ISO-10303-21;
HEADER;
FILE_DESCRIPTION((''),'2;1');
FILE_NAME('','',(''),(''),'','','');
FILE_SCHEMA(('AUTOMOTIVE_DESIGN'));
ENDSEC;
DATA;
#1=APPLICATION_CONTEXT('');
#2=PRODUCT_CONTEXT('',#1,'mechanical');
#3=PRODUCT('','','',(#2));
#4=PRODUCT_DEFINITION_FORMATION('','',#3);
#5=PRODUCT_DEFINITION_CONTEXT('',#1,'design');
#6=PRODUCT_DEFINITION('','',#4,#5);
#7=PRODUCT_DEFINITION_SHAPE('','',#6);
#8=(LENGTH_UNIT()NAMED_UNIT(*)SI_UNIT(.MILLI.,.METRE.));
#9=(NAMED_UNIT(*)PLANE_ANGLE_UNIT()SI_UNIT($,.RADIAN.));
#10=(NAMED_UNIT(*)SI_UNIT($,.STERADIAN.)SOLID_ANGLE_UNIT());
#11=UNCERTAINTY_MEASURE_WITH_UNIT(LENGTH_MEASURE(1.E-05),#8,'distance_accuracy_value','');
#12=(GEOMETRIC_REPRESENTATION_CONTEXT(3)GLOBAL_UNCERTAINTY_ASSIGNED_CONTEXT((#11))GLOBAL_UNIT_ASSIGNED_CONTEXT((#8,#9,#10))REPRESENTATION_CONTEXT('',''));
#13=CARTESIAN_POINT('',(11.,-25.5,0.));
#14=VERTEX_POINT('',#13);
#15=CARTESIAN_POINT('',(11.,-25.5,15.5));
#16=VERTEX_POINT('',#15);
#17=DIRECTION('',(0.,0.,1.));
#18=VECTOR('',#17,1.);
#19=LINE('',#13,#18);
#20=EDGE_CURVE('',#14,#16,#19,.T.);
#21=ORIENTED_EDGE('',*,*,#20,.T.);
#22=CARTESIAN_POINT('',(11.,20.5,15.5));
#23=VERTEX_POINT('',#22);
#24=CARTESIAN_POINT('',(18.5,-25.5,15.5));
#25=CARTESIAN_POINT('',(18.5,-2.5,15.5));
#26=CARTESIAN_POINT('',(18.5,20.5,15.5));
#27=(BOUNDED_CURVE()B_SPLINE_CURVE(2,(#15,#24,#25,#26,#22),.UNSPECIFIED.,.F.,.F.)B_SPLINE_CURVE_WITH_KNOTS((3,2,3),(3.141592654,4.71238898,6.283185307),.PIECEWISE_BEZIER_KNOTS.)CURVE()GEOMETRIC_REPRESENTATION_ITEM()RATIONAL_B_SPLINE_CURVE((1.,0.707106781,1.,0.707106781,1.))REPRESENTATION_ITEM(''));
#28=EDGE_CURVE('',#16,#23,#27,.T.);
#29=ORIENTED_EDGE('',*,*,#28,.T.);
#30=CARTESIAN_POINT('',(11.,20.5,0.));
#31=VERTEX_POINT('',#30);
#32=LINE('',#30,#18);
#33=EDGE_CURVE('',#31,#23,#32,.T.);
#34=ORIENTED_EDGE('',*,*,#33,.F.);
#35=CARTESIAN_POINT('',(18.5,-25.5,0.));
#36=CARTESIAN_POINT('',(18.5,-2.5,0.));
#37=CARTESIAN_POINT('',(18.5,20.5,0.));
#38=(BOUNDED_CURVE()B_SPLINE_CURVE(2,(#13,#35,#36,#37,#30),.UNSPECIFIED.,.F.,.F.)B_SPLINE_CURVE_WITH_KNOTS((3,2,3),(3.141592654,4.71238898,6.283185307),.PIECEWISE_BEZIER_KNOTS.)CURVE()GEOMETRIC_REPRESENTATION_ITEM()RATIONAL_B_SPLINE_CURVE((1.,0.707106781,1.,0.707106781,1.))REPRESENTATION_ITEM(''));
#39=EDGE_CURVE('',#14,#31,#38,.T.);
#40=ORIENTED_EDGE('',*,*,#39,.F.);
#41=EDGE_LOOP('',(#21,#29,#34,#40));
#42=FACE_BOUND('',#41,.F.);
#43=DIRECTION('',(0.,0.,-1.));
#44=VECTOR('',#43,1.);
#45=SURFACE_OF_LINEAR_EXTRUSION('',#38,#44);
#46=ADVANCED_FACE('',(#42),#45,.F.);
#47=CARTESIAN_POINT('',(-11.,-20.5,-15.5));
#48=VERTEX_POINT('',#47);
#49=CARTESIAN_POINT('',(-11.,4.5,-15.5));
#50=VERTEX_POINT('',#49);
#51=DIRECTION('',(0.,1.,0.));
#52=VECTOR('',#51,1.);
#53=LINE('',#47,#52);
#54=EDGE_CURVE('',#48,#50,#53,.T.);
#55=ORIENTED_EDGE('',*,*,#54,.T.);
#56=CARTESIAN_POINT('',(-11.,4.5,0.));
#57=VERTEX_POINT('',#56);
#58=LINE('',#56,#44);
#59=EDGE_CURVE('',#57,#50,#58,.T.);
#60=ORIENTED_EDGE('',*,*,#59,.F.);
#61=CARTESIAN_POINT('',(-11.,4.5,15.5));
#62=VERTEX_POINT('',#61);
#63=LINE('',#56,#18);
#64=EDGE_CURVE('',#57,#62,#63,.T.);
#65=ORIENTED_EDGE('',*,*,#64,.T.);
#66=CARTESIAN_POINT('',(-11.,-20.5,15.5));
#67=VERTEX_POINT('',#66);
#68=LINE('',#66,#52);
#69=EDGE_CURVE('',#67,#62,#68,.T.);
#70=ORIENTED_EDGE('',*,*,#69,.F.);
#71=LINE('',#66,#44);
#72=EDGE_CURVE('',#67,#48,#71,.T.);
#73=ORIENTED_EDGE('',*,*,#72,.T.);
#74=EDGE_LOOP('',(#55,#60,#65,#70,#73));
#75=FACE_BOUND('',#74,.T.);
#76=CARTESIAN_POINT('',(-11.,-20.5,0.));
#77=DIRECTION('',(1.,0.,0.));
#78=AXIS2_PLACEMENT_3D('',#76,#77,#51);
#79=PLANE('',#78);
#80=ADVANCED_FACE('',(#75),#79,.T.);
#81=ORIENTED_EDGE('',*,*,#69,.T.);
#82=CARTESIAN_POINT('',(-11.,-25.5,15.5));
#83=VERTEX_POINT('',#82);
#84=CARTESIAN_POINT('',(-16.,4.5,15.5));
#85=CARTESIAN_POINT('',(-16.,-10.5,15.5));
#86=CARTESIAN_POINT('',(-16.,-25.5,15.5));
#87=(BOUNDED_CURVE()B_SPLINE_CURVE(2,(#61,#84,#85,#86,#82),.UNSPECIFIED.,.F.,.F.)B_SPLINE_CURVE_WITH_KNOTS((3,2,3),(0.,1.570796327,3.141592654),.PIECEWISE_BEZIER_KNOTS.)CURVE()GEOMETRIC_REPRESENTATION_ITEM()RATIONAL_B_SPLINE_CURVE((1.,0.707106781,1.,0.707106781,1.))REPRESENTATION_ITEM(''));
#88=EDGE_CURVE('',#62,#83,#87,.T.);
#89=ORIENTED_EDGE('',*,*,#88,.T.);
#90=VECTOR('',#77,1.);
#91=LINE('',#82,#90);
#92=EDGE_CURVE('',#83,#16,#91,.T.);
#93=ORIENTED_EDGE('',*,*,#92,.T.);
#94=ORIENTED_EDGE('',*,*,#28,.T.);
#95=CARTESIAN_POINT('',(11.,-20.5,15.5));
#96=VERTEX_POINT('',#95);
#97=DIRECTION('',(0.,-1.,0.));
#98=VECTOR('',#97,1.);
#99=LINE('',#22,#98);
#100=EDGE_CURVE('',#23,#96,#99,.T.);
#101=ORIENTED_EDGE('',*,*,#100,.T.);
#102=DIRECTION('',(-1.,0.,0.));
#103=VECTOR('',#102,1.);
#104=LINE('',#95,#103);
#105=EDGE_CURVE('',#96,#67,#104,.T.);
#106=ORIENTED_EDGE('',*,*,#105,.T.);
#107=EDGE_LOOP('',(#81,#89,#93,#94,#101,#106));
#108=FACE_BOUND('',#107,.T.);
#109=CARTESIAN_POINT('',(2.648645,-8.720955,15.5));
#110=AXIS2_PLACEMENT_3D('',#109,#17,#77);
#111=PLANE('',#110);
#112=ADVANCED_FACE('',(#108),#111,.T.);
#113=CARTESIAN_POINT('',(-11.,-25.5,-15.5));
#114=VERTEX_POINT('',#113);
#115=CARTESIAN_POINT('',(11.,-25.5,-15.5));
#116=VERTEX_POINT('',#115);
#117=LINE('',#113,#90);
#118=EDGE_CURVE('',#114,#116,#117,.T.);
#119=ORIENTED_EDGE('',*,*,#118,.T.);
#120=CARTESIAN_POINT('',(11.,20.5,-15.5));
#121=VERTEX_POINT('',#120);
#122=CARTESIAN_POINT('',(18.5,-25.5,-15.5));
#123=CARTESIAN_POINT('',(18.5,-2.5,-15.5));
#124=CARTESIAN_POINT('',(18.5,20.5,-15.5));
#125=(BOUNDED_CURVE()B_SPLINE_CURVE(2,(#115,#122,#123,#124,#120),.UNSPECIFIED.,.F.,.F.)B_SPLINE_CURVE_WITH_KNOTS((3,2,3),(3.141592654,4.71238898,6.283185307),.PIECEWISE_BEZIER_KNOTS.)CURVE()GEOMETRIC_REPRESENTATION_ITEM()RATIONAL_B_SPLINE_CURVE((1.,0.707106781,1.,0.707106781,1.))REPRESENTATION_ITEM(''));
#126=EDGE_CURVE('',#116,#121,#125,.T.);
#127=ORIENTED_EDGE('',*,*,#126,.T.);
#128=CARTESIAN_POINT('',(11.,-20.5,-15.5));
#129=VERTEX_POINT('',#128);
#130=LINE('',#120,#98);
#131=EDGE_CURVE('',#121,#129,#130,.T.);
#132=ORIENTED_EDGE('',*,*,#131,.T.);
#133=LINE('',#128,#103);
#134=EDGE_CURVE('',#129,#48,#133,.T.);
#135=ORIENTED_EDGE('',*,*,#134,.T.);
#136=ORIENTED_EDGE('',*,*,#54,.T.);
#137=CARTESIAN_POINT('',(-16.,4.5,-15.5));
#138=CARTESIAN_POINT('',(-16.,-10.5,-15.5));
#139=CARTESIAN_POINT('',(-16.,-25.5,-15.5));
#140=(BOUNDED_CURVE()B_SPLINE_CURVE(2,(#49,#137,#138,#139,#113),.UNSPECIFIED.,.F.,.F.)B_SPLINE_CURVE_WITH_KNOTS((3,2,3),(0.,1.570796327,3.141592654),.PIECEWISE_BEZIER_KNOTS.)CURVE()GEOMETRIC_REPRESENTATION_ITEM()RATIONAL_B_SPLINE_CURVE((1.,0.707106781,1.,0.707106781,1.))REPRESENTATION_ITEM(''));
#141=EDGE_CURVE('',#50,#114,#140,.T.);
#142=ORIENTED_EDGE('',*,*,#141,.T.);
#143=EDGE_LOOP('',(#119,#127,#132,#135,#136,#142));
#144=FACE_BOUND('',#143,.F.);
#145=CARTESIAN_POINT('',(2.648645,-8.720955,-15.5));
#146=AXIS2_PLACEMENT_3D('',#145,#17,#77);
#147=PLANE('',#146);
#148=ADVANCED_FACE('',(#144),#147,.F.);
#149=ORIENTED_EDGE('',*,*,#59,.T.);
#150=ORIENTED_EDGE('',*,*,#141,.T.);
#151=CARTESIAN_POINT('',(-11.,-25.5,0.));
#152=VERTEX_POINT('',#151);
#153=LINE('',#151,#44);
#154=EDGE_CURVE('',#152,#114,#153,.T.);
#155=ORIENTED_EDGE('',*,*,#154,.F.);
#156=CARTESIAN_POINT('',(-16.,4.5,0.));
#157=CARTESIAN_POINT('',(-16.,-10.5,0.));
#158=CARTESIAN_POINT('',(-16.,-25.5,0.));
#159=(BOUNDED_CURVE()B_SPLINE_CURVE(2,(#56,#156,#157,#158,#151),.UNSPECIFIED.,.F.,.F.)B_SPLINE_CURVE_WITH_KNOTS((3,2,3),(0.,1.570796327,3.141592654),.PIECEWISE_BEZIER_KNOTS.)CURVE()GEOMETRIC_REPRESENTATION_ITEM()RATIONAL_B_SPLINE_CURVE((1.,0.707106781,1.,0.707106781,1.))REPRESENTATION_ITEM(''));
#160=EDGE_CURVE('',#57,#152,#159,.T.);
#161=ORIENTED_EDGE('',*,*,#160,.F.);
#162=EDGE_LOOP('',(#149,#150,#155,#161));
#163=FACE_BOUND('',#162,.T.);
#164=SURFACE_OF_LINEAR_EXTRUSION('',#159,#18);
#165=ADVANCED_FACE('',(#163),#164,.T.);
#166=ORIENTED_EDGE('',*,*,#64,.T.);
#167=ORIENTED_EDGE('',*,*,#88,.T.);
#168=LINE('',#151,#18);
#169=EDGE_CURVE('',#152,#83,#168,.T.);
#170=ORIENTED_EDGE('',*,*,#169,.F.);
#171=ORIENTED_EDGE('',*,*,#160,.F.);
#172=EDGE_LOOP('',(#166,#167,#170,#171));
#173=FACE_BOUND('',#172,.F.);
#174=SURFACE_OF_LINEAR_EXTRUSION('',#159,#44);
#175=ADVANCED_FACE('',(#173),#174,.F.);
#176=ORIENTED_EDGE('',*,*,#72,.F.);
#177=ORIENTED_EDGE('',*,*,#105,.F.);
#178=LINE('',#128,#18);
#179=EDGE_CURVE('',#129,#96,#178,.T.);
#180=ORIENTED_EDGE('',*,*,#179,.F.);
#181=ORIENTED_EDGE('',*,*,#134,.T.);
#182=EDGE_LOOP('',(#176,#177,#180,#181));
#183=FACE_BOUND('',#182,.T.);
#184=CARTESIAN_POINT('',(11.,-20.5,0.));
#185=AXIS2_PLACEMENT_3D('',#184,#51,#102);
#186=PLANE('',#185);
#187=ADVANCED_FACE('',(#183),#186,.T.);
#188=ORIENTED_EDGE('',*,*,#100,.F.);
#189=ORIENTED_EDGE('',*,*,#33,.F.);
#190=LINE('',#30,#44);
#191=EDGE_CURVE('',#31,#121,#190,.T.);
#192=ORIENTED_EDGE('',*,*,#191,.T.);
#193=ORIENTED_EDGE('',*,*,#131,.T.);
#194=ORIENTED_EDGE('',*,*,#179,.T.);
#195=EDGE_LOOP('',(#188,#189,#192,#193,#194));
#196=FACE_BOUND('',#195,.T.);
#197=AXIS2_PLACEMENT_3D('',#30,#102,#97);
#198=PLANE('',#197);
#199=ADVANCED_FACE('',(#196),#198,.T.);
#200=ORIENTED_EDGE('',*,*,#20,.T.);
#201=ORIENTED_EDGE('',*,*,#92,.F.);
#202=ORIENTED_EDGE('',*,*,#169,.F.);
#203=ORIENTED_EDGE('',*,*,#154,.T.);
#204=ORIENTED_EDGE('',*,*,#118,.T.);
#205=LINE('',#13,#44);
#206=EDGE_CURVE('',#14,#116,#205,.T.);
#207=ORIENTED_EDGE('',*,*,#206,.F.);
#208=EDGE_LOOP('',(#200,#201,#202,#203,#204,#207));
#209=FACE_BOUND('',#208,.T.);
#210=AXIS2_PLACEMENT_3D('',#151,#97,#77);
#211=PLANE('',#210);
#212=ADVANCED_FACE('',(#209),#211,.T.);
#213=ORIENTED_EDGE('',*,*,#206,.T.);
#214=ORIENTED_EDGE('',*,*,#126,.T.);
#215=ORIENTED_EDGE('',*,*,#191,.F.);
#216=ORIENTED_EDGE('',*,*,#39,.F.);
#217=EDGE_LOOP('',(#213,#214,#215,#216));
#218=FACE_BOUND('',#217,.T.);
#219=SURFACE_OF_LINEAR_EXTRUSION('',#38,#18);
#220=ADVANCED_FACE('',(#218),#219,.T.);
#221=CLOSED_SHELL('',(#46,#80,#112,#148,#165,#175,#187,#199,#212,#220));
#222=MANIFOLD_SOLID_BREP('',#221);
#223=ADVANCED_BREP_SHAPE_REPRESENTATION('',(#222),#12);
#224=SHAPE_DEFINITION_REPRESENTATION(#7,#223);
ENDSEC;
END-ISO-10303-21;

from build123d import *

# Parameters (mm, degrees)
F1_DEPTH      = 15.5
F1_DEPTH_BACK = 15.5


with BuildPart() as f1:
    # F0 (on Top) → F1 (new body, two sides)
    with BuildSketch(Plane.XY) as f1_sk:
        with BuildLine():
            Line((-11, -25.5), (11, -25.5))
            add(Edge.make_bspline(
                [(11, -25.5), (18.5, -25.5), (18.5, -2.5), (18.5, 20.5), (11, 20.5)],
                knots=[3.1415926536, 3.1415926536, 3.1415926536, 4.7123889804, 4.7123889804, 6.2831853072, 6.2831853072, 6.2831853072], degree=2, weights=[1, 0.7071067812, 1, 0.7071067812, 1]))
            Line((11, 20.5), (11, -20.5))
            Line((11, -20.5), (-11, -20.5))
            Line((-11, -20.5), (-11, 4.5))
            add(Edge.make_bspline(
                [(-11, 4.5), (-16, 4.5), (-16, -10.5), (-16, -25.5), (-11, -25.5)],
                knots=[0, 0, 0, 1.5707963268, 1.5707963268, 3.1415926536, 3.1415926536, 3.1415926536], degree=2, weights=[1, 0.7071067812, 1, 0.7071067812, 1]))
        make_face()
    extrude(amount=F1_DEPTH)
    extrude(f1_sk.sketch, amount=-F1_DEPTH_BACK)


solid = f1.part
